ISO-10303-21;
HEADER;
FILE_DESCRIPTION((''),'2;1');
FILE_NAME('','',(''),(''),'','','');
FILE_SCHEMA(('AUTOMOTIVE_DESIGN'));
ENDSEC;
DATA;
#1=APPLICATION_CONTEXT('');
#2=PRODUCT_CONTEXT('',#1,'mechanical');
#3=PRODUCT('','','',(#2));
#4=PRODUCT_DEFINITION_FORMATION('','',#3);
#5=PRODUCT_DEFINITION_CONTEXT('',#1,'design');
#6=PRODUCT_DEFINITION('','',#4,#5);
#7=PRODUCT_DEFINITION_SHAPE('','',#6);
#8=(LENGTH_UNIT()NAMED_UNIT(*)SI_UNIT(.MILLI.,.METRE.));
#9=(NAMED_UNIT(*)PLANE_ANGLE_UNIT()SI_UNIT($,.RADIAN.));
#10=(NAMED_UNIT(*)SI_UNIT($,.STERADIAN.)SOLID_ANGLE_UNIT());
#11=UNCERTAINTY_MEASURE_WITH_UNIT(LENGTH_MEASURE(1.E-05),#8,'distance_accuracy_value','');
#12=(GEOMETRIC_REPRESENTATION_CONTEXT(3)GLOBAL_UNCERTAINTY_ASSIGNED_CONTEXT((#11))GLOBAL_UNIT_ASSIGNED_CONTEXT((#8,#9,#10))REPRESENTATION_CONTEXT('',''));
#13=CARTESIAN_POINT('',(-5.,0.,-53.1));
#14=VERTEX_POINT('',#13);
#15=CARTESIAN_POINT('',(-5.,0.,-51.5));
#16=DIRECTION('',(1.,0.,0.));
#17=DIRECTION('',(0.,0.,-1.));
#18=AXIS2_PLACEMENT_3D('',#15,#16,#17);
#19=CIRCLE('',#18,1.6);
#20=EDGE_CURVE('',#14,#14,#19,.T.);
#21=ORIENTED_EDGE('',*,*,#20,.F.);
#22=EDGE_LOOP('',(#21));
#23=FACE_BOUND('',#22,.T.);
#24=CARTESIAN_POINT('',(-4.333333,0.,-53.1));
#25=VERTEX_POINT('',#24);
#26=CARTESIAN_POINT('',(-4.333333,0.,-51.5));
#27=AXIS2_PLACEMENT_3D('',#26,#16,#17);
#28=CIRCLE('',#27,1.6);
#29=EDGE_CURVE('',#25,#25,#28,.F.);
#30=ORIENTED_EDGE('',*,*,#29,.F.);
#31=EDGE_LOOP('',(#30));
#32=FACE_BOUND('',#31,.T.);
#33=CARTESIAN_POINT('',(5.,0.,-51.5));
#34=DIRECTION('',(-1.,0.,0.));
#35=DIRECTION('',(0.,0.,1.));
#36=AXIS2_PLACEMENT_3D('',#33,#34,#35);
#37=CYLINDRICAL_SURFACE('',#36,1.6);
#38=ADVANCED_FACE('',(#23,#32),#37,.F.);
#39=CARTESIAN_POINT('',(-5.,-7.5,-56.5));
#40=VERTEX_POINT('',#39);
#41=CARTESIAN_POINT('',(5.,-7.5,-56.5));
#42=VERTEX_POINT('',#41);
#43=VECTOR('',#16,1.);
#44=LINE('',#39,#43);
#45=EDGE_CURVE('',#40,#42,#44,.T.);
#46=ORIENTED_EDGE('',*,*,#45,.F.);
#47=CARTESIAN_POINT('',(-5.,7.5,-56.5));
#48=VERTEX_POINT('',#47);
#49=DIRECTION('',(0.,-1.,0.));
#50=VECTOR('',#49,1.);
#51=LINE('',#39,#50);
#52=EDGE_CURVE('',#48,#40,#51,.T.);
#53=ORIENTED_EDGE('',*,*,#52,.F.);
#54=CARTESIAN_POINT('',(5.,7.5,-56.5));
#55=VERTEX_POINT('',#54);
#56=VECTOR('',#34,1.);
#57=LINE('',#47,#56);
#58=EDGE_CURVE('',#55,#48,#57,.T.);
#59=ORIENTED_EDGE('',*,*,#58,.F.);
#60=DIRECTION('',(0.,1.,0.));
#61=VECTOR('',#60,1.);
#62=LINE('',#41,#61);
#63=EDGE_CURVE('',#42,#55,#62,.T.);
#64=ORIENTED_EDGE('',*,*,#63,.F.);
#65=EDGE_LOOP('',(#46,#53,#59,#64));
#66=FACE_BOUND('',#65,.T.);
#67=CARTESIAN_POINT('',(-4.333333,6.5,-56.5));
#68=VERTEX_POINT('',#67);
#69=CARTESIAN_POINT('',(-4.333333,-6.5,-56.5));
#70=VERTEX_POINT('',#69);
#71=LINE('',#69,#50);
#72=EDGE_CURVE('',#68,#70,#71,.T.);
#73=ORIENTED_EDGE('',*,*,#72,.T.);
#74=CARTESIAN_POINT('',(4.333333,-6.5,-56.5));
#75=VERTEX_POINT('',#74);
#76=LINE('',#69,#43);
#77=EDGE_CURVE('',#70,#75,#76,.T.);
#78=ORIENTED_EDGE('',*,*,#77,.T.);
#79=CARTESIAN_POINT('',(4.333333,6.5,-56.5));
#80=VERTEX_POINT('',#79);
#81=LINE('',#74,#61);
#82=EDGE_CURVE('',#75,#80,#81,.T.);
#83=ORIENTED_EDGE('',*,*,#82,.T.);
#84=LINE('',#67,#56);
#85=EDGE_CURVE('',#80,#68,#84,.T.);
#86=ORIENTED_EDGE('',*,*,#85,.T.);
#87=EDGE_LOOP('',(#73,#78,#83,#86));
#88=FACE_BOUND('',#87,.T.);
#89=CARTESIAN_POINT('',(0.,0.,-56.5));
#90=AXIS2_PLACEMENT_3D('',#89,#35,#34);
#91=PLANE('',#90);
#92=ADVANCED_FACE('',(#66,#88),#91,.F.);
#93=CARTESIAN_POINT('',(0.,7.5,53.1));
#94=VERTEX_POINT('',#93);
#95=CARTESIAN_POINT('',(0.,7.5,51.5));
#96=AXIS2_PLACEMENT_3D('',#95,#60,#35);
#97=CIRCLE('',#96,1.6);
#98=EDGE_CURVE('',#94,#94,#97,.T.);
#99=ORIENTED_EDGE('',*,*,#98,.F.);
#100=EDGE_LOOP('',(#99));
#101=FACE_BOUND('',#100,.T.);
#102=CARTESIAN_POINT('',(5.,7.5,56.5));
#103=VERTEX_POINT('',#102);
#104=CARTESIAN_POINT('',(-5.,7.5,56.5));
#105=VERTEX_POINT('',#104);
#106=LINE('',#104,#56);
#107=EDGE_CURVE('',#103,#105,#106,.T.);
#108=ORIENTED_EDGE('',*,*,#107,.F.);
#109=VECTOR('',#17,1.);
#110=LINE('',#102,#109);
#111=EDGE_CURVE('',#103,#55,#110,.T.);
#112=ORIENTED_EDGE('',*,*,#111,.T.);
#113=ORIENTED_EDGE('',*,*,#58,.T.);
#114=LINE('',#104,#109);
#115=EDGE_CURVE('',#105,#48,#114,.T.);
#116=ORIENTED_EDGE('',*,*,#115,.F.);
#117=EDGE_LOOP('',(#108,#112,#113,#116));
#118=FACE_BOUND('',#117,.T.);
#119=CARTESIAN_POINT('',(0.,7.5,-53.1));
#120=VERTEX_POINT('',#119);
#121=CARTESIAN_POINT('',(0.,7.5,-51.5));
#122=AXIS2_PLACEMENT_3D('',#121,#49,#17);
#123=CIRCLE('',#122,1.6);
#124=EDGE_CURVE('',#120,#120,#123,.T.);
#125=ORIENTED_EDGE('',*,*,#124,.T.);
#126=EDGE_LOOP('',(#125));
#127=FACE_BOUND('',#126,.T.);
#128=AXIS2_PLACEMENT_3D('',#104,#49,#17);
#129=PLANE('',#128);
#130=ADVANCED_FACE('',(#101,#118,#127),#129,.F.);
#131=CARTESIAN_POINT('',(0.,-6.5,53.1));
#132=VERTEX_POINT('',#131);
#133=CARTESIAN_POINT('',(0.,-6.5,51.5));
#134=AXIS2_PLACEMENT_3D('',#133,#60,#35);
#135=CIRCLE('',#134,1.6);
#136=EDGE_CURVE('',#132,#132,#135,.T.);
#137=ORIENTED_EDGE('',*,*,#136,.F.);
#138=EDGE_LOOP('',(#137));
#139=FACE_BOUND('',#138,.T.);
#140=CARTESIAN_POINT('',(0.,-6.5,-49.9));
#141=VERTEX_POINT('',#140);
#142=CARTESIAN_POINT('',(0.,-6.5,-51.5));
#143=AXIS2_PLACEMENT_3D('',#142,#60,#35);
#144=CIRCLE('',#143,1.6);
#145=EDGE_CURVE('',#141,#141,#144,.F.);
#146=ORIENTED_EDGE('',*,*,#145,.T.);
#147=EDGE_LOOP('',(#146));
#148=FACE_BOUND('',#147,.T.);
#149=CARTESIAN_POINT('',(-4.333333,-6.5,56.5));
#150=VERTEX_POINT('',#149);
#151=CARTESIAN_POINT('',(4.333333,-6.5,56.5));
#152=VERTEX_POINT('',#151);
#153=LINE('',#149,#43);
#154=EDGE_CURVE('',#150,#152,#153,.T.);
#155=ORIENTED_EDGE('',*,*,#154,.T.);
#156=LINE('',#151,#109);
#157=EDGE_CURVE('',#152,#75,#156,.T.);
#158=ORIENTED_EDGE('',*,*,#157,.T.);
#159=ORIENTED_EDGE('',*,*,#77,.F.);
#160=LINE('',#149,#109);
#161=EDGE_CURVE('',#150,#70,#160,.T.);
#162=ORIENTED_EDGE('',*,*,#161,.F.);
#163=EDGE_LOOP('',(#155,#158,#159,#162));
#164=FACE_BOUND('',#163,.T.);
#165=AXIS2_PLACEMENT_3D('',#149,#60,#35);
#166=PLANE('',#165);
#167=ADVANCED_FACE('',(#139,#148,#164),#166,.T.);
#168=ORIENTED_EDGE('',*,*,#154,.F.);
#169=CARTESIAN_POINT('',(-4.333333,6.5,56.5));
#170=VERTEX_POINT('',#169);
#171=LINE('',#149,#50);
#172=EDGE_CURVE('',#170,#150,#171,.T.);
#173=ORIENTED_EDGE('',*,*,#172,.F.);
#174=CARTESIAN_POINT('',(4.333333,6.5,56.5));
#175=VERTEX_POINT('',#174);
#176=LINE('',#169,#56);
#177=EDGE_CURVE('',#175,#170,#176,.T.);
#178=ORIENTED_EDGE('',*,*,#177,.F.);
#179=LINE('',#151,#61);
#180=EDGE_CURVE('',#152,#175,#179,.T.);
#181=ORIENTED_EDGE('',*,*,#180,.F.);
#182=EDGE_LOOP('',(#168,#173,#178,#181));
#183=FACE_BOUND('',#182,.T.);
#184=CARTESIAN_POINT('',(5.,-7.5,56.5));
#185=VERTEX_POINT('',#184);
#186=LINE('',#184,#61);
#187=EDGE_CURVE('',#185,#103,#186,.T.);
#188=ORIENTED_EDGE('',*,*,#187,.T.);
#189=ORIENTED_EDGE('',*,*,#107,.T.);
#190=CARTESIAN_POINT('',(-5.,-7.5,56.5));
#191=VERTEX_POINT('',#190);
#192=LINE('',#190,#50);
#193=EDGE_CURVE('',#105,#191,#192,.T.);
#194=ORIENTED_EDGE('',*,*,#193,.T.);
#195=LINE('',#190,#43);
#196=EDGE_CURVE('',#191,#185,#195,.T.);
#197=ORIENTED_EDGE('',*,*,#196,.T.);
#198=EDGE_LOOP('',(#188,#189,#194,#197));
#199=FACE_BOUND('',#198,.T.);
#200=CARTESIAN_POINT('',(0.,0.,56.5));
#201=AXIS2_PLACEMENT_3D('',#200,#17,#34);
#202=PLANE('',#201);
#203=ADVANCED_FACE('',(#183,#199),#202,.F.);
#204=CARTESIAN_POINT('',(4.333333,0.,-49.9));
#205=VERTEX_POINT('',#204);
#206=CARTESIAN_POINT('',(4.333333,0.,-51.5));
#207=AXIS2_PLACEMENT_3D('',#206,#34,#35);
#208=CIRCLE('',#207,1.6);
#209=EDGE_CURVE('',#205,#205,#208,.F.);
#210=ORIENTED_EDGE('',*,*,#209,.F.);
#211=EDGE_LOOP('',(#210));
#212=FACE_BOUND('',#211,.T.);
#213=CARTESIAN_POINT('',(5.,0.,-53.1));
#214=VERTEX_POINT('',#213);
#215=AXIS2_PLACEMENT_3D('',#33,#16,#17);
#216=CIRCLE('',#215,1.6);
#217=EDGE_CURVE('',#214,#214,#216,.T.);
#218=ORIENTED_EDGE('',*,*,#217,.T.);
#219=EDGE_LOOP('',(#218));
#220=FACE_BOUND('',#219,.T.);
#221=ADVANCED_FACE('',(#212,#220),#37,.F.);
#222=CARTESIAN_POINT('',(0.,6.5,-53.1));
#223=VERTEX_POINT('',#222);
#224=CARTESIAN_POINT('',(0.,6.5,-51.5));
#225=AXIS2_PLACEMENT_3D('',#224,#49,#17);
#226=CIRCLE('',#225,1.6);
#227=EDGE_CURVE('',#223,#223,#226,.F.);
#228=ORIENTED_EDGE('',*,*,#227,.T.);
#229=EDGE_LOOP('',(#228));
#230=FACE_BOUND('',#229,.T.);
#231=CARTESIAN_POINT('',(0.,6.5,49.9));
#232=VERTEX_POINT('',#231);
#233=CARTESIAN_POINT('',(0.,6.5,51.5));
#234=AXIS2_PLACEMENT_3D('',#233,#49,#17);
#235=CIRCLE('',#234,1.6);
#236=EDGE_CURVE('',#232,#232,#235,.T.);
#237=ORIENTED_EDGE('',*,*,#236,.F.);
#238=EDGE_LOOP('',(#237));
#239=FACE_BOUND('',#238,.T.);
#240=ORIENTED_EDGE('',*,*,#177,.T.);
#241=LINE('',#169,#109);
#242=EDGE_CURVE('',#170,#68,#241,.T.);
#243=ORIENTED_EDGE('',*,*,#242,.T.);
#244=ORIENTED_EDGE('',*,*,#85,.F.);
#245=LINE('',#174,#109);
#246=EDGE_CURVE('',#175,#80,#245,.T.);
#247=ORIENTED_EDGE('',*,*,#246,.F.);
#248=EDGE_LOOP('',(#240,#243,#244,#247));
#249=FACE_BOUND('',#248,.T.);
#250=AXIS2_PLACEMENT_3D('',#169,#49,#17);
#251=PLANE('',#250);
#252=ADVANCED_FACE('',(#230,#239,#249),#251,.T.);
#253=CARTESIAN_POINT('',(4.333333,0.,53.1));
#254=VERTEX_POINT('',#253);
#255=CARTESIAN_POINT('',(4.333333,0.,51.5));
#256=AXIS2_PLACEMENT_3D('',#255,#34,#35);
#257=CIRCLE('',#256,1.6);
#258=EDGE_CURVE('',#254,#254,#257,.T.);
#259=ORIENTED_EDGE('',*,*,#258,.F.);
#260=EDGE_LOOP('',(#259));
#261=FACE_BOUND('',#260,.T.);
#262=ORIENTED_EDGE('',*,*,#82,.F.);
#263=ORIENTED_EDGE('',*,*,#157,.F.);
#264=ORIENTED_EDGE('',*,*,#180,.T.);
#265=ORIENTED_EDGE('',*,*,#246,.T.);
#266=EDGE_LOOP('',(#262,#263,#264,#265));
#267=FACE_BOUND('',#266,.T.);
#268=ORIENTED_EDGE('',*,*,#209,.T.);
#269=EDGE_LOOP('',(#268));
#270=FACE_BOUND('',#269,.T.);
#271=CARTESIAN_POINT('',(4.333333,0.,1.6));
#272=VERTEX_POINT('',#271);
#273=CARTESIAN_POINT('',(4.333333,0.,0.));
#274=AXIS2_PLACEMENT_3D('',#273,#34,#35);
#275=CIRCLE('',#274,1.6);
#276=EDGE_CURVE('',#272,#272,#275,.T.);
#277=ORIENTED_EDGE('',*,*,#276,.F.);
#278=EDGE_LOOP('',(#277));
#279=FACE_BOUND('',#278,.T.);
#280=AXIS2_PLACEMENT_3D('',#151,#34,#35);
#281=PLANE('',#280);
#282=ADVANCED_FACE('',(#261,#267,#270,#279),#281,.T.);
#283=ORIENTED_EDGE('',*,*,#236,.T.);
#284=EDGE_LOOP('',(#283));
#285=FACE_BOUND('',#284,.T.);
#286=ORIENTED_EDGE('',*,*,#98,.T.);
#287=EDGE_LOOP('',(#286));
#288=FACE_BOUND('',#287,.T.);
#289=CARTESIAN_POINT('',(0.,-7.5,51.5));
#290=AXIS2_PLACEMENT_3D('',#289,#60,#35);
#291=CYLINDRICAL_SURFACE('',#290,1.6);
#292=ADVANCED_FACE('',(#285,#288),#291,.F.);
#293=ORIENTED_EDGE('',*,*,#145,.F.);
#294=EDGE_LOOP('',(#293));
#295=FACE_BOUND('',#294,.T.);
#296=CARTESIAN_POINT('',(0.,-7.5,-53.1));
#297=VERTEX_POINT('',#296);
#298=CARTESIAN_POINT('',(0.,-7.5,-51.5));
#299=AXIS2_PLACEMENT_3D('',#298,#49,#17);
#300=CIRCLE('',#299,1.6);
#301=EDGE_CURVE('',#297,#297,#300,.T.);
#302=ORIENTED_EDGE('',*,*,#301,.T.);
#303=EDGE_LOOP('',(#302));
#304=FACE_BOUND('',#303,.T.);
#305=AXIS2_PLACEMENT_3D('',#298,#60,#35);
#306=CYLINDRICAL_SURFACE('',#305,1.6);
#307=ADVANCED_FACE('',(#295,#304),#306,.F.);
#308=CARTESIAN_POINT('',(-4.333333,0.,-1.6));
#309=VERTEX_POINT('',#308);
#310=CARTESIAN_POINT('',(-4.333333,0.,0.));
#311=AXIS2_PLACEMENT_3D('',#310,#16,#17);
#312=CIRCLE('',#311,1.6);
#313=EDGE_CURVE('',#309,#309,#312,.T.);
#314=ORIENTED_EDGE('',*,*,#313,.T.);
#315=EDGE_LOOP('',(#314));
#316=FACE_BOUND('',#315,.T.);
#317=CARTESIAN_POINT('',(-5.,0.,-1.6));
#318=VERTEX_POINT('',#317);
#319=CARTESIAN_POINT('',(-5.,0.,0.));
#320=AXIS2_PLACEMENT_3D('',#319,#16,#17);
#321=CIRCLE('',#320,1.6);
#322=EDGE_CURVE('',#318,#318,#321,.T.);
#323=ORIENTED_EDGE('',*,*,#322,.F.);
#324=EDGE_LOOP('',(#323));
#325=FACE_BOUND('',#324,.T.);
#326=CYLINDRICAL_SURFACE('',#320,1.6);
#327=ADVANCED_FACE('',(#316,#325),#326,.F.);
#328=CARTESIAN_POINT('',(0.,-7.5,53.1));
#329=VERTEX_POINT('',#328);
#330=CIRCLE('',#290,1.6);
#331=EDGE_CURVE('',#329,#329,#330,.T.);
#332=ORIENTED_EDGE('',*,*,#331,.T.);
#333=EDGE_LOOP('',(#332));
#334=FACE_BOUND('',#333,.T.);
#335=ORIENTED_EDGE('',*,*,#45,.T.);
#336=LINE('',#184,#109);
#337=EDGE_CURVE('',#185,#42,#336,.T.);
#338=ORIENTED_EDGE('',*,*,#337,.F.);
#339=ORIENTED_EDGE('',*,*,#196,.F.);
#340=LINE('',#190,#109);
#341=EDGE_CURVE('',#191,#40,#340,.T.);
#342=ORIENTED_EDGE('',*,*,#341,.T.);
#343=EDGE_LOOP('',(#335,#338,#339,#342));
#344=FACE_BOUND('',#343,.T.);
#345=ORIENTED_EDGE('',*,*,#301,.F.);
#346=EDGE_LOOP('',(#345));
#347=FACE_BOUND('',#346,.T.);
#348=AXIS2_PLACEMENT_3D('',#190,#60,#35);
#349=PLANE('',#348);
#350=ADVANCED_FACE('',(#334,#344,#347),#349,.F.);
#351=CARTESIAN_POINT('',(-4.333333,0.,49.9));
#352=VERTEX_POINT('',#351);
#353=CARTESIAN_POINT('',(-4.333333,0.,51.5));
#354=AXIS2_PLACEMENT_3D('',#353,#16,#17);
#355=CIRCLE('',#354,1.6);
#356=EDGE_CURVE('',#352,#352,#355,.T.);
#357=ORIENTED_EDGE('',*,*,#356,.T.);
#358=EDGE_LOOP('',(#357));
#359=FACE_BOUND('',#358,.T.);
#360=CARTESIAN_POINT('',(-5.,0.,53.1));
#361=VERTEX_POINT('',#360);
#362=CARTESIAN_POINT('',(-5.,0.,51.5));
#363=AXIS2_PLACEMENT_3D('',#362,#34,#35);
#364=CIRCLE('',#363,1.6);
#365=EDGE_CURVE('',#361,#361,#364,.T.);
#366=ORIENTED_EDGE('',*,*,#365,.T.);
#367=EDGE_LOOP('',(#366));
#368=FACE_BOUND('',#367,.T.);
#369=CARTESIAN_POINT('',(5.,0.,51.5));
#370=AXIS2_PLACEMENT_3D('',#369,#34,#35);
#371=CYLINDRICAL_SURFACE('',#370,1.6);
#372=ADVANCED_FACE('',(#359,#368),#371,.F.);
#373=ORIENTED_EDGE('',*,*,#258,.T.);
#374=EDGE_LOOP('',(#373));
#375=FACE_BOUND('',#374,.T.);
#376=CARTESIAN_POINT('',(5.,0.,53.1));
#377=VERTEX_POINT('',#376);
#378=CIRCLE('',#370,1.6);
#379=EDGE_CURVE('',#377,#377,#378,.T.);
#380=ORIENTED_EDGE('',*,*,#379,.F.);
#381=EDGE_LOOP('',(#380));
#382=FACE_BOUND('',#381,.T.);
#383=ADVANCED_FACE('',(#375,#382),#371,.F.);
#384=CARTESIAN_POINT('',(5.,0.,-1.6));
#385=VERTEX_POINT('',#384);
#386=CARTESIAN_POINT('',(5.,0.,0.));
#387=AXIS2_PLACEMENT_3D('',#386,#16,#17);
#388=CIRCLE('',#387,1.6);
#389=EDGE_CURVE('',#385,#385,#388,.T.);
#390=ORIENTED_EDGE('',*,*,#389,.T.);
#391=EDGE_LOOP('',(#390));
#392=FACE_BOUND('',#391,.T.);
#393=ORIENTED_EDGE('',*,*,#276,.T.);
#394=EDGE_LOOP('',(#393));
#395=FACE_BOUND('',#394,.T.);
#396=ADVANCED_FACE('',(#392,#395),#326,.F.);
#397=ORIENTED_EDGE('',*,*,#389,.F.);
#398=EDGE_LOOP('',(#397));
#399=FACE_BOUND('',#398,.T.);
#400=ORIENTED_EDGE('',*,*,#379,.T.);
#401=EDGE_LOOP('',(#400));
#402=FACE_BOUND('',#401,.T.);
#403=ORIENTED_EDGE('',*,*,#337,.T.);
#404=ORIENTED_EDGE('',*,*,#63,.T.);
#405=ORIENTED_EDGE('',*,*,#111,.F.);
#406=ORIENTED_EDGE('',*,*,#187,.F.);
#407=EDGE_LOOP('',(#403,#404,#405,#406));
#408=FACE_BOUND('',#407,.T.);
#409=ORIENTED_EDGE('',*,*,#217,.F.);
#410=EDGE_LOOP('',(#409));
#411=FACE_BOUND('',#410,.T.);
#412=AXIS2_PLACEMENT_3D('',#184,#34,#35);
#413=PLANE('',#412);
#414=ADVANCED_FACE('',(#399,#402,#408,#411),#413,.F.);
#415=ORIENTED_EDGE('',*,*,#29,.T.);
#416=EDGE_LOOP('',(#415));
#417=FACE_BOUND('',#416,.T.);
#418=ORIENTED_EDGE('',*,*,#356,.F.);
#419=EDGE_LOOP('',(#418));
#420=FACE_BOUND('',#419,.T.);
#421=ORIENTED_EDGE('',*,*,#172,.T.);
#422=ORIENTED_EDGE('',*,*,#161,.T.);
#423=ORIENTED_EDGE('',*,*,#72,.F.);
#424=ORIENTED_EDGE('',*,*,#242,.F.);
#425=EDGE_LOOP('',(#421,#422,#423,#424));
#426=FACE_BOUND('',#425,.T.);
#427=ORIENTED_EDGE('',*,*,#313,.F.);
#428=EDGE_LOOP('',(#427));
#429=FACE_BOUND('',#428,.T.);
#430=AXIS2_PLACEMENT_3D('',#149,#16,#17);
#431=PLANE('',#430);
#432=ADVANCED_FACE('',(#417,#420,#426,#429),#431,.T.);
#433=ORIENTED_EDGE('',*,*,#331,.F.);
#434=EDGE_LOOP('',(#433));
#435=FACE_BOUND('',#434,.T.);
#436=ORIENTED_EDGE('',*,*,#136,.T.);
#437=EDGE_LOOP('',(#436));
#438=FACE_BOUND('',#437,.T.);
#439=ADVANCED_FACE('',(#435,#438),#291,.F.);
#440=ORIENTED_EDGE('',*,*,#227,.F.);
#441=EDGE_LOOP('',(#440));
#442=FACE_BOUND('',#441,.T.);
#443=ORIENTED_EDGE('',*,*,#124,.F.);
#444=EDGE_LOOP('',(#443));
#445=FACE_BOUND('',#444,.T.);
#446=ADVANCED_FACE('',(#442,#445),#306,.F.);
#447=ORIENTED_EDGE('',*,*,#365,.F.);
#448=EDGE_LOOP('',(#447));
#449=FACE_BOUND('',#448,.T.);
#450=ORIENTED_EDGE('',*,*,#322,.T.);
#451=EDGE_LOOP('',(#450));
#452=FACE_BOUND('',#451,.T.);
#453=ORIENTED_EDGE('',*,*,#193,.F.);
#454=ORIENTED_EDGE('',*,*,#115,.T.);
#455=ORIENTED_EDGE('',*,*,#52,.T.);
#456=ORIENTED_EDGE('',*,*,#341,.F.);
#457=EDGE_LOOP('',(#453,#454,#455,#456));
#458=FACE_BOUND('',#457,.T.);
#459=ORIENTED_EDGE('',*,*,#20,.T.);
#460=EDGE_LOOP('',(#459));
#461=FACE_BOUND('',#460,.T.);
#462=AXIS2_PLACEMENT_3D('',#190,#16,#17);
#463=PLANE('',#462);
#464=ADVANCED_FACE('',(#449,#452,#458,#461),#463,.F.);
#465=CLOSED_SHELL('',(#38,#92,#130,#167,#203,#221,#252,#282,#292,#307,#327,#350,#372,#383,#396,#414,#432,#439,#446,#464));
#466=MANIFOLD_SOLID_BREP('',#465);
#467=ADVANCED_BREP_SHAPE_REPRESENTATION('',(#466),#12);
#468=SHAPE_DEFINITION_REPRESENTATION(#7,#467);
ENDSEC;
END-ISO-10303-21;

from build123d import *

# Parameters (mm, degrees)
SKETCH_1_W          = 10
SKETCH_1_H          = 15
SKETCH_1_W_2        = 8.666666666
SKETCH_1_H_2        = 13
EXTRUDE_1_DEPTH     = 56.5
SKETCH_2_R          = 1.6
CUT_EXTRUDE_1_DEPTH = 58.866225037
SKETCH_3_R          = 1.6
CUT_EXTRUDE_2_DEPTH = 59.67069115
SKETCH_4_R          = 1.6
CUT_EXTRUDE_3_DEPTH = 58.866225037


with BuildPart() as part:
    # ｽｹｯﾁ1 → ﾎﾞｽ - 押し出し1 (new body)
    with BuildSketch(Plane.XY):
        Rectangle(SKETCH_1_W, SKETCH_1_H)
        Rectangle(SKETCH_1_W_2, SKETCH_1_H_2, mode=Mode.SUBTRACT)
    extrude_1 = extrude(amount=EXTRUDE_1_DEPTH)

    # ｽｹｯﾁ2 → ｶｯﾄ - 押し出し1 (cut, through all)
    with BuildSketch(Plane(origin=(5, 0, 0), x_dir=(0, 0, -1), z_dir=(1, 0, 0))):
        Circle(SKETCH_2_R)
    cut_extrude_1 = extrude(amount=-CUT_EXTRUDE_1_DEPTH, mode=Mode.SUBTRACT)

    # ｽｹｯﾁ3 → ｶｯﾄ - 押し出し2 (cut, through all)
    with BuildSketch(Plane(origin=(0, 7.5, 0), x_dir=(1, 0, 0), z_dir=(0, 1, 0))):
        with Locations(Location((0, -51.5, 0), (0, 0, 270))):
            Circle(SKETCH_3_R)
    cut_extrude_2 = extrude(amount=-CUT_EXTRUDE_2_DEPTH, mode=Mode.SUBTRACT)

    # ｽｹｯﾁ4 → ｶｯﾄ - 押し出し3 (cut, through all)
    with BuildSketch(Plane.ZY.offset(5)):
        with Locations((51.5, 0)):
            Circle(SKETCH_4_R)
    cut_extrude_3 = extrude(amount=-CUT_EXTRUDE_3_DEPTH, mode=Mode.SUBTRACT)

    # ﾐﾗｰ1: ﾎﾞｽ - 押し出し1, ｶｯﾄ - 押し出し1, ｶｯﾄ - 押し出し2, ｶｯﾄ - 押し出し3 across plane
    add(extrude_1.mirror(Plane(origin=(0, 0, 0), x_dir=(1, 0, 0), z_dir=(0, 0, -1))))
    add(cut_extrude_1.mirror(Plane(origin=(0, 0, 0), x_dir=(1, 0, 0), z_dir=(0, 0, -1))), mode=Mode.SUBTRACT)
    add(cut_extrude_2.mirror(Plane(origin=(0, 0, 0), x_dir=(1, 0, 0), z_dir=(0, 0, -1))), mode=Mode.SUBTRACT)
    add(cut_extrude_3.mirror(Plane(origin=(0, 0, 0), x_dir=(1, 0, 0), z_dir=(0, 0, -1))), mode=Mode.SUBTRACT)


solid = part.part
